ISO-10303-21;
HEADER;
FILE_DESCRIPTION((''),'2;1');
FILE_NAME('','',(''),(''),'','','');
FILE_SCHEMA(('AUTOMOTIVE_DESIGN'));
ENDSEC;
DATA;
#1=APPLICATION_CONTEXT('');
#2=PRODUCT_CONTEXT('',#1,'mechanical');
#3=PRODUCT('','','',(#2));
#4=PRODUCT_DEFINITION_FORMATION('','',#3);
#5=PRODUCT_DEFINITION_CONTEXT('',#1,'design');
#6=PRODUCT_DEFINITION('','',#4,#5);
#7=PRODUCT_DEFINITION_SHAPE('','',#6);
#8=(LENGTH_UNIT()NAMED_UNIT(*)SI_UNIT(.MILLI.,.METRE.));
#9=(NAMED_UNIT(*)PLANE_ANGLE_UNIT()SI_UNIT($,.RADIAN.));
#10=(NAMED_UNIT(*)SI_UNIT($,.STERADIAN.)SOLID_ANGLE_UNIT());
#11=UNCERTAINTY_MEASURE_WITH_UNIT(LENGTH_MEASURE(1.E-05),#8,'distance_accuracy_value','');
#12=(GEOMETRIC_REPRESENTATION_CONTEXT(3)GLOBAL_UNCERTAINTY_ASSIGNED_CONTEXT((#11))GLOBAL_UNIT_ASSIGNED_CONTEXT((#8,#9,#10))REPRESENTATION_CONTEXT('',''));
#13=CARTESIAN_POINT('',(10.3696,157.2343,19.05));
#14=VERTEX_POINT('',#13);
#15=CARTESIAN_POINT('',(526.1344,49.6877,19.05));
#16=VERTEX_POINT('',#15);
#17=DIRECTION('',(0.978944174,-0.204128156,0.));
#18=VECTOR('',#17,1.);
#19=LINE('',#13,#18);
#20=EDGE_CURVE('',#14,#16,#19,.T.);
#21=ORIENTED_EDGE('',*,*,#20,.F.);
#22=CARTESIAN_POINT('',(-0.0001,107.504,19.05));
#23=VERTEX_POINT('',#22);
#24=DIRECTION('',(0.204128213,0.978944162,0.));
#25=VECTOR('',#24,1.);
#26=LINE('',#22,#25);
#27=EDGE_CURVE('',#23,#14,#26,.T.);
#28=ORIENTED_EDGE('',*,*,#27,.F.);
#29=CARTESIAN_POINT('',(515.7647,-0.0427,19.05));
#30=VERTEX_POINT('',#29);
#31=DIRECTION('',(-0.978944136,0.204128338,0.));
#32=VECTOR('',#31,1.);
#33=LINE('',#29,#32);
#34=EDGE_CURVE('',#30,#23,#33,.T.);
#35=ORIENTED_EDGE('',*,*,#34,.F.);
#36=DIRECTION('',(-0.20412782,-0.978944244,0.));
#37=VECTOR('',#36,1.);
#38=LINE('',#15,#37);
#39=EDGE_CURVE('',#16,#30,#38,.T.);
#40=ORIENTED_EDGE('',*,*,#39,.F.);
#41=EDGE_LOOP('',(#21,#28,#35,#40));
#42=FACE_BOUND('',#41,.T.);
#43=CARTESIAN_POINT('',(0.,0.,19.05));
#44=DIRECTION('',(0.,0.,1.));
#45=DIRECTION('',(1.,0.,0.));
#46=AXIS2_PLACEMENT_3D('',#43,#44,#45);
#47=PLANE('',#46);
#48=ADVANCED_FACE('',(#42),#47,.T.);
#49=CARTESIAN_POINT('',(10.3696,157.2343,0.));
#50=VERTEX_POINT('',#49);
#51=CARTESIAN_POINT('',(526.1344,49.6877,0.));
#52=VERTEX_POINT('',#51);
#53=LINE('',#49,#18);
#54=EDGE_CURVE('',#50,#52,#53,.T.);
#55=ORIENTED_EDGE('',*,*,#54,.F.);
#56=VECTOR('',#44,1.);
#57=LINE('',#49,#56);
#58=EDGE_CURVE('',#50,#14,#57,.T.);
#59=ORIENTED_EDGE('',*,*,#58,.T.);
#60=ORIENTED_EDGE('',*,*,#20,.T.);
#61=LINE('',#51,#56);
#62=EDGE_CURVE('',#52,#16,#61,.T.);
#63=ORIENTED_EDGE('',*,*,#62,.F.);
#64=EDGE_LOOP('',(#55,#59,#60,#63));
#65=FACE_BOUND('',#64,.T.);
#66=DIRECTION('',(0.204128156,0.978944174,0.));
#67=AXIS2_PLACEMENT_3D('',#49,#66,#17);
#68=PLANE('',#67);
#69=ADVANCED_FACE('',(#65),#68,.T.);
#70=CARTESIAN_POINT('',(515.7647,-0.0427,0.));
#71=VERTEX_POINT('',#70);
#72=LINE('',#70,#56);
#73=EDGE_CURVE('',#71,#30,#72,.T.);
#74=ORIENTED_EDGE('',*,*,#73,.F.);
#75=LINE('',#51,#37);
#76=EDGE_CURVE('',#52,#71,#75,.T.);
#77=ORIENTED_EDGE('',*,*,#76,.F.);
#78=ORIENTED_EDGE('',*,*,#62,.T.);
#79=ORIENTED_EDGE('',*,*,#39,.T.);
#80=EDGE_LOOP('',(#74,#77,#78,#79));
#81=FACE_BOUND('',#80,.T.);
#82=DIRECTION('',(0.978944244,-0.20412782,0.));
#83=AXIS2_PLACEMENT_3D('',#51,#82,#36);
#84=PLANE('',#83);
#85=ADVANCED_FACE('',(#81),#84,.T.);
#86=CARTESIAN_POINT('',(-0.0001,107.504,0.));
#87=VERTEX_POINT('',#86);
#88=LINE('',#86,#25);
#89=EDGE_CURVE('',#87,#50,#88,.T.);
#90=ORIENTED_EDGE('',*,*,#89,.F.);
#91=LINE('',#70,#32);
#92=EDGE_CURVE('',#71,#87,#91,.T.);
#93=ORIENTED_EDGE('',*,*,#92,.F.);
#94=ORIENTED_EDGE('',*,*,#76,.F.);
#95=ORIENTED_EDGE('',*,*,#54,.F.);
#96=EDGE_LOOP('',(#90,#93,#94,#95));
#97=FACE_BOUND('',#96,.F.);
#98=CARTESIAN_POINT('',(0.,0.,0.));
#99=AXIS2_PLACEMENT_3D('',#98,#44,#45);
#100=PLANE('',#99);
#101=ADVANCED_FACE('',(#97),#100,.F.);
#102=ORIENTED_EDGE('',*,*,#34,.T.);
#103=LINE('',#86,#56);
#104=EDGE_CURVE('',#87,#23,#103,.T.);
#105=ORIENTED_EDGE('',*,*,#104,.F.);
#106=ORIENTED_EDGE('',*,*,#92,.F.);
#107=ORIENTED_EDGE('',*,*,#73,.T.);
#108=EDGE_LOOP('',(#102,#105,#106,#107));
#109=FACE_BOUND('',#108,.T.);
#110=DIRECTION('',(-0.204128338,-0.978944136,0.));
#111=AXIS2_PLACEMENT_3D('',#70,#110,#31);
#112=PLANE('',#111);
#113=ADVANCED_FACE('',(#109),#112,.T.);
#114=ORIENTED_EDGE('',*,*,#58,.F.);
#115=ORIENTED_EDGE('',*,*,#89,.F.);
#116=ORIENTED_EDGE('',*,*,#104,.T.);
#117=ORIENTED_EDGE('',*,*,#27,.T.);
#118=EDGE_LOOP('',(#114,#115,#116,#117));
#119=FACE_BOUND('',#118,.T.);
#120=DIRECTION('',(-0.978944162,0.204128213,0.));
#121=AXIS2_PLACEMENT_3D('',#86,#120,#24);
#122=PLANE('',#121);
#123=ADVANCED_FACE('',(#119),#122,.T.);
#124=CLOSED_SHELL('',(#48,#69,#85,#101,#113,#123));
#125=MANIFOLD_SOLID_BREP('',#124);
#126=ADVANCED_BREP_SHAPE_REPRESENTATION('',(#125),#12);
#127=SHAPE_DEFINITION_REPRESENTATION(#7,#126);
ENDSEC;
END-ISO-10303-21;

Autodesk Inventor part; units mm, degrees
ref_plane "YZ Plane" through (0, 0, 0) normal (1, 0, 0) x (0, 1, 0)
ref_plane "XZ Plane" through (0, 0, 0) normal (0, 1, 0) x (-1, 0, 0)
ref_plane "XY Plane" through (0, 0, 0) normal (0, 0, 1) x (1, 0, 0)
sketch "Sketch1" plane through (0, 0, 0) normal (0, 0, 1) x (1, 0, 0)
  line L0 (526.1344, 49.6877) -> (515.7647, -0.0427)
  line L1 (515.7647, -0.0427) -> (-0.0001, 107.504)
  line L2 (-0.0001, 107.504) -> (10.3696, 157.2343)
  line L3 (10.3696, 157.2343) -> (526.1344, 49.6877)
  point P0 (0, 0)
extrude "Extrusion1" add sketch "Sketch1" along normal blind 19.05
properties part number "nd-j"
